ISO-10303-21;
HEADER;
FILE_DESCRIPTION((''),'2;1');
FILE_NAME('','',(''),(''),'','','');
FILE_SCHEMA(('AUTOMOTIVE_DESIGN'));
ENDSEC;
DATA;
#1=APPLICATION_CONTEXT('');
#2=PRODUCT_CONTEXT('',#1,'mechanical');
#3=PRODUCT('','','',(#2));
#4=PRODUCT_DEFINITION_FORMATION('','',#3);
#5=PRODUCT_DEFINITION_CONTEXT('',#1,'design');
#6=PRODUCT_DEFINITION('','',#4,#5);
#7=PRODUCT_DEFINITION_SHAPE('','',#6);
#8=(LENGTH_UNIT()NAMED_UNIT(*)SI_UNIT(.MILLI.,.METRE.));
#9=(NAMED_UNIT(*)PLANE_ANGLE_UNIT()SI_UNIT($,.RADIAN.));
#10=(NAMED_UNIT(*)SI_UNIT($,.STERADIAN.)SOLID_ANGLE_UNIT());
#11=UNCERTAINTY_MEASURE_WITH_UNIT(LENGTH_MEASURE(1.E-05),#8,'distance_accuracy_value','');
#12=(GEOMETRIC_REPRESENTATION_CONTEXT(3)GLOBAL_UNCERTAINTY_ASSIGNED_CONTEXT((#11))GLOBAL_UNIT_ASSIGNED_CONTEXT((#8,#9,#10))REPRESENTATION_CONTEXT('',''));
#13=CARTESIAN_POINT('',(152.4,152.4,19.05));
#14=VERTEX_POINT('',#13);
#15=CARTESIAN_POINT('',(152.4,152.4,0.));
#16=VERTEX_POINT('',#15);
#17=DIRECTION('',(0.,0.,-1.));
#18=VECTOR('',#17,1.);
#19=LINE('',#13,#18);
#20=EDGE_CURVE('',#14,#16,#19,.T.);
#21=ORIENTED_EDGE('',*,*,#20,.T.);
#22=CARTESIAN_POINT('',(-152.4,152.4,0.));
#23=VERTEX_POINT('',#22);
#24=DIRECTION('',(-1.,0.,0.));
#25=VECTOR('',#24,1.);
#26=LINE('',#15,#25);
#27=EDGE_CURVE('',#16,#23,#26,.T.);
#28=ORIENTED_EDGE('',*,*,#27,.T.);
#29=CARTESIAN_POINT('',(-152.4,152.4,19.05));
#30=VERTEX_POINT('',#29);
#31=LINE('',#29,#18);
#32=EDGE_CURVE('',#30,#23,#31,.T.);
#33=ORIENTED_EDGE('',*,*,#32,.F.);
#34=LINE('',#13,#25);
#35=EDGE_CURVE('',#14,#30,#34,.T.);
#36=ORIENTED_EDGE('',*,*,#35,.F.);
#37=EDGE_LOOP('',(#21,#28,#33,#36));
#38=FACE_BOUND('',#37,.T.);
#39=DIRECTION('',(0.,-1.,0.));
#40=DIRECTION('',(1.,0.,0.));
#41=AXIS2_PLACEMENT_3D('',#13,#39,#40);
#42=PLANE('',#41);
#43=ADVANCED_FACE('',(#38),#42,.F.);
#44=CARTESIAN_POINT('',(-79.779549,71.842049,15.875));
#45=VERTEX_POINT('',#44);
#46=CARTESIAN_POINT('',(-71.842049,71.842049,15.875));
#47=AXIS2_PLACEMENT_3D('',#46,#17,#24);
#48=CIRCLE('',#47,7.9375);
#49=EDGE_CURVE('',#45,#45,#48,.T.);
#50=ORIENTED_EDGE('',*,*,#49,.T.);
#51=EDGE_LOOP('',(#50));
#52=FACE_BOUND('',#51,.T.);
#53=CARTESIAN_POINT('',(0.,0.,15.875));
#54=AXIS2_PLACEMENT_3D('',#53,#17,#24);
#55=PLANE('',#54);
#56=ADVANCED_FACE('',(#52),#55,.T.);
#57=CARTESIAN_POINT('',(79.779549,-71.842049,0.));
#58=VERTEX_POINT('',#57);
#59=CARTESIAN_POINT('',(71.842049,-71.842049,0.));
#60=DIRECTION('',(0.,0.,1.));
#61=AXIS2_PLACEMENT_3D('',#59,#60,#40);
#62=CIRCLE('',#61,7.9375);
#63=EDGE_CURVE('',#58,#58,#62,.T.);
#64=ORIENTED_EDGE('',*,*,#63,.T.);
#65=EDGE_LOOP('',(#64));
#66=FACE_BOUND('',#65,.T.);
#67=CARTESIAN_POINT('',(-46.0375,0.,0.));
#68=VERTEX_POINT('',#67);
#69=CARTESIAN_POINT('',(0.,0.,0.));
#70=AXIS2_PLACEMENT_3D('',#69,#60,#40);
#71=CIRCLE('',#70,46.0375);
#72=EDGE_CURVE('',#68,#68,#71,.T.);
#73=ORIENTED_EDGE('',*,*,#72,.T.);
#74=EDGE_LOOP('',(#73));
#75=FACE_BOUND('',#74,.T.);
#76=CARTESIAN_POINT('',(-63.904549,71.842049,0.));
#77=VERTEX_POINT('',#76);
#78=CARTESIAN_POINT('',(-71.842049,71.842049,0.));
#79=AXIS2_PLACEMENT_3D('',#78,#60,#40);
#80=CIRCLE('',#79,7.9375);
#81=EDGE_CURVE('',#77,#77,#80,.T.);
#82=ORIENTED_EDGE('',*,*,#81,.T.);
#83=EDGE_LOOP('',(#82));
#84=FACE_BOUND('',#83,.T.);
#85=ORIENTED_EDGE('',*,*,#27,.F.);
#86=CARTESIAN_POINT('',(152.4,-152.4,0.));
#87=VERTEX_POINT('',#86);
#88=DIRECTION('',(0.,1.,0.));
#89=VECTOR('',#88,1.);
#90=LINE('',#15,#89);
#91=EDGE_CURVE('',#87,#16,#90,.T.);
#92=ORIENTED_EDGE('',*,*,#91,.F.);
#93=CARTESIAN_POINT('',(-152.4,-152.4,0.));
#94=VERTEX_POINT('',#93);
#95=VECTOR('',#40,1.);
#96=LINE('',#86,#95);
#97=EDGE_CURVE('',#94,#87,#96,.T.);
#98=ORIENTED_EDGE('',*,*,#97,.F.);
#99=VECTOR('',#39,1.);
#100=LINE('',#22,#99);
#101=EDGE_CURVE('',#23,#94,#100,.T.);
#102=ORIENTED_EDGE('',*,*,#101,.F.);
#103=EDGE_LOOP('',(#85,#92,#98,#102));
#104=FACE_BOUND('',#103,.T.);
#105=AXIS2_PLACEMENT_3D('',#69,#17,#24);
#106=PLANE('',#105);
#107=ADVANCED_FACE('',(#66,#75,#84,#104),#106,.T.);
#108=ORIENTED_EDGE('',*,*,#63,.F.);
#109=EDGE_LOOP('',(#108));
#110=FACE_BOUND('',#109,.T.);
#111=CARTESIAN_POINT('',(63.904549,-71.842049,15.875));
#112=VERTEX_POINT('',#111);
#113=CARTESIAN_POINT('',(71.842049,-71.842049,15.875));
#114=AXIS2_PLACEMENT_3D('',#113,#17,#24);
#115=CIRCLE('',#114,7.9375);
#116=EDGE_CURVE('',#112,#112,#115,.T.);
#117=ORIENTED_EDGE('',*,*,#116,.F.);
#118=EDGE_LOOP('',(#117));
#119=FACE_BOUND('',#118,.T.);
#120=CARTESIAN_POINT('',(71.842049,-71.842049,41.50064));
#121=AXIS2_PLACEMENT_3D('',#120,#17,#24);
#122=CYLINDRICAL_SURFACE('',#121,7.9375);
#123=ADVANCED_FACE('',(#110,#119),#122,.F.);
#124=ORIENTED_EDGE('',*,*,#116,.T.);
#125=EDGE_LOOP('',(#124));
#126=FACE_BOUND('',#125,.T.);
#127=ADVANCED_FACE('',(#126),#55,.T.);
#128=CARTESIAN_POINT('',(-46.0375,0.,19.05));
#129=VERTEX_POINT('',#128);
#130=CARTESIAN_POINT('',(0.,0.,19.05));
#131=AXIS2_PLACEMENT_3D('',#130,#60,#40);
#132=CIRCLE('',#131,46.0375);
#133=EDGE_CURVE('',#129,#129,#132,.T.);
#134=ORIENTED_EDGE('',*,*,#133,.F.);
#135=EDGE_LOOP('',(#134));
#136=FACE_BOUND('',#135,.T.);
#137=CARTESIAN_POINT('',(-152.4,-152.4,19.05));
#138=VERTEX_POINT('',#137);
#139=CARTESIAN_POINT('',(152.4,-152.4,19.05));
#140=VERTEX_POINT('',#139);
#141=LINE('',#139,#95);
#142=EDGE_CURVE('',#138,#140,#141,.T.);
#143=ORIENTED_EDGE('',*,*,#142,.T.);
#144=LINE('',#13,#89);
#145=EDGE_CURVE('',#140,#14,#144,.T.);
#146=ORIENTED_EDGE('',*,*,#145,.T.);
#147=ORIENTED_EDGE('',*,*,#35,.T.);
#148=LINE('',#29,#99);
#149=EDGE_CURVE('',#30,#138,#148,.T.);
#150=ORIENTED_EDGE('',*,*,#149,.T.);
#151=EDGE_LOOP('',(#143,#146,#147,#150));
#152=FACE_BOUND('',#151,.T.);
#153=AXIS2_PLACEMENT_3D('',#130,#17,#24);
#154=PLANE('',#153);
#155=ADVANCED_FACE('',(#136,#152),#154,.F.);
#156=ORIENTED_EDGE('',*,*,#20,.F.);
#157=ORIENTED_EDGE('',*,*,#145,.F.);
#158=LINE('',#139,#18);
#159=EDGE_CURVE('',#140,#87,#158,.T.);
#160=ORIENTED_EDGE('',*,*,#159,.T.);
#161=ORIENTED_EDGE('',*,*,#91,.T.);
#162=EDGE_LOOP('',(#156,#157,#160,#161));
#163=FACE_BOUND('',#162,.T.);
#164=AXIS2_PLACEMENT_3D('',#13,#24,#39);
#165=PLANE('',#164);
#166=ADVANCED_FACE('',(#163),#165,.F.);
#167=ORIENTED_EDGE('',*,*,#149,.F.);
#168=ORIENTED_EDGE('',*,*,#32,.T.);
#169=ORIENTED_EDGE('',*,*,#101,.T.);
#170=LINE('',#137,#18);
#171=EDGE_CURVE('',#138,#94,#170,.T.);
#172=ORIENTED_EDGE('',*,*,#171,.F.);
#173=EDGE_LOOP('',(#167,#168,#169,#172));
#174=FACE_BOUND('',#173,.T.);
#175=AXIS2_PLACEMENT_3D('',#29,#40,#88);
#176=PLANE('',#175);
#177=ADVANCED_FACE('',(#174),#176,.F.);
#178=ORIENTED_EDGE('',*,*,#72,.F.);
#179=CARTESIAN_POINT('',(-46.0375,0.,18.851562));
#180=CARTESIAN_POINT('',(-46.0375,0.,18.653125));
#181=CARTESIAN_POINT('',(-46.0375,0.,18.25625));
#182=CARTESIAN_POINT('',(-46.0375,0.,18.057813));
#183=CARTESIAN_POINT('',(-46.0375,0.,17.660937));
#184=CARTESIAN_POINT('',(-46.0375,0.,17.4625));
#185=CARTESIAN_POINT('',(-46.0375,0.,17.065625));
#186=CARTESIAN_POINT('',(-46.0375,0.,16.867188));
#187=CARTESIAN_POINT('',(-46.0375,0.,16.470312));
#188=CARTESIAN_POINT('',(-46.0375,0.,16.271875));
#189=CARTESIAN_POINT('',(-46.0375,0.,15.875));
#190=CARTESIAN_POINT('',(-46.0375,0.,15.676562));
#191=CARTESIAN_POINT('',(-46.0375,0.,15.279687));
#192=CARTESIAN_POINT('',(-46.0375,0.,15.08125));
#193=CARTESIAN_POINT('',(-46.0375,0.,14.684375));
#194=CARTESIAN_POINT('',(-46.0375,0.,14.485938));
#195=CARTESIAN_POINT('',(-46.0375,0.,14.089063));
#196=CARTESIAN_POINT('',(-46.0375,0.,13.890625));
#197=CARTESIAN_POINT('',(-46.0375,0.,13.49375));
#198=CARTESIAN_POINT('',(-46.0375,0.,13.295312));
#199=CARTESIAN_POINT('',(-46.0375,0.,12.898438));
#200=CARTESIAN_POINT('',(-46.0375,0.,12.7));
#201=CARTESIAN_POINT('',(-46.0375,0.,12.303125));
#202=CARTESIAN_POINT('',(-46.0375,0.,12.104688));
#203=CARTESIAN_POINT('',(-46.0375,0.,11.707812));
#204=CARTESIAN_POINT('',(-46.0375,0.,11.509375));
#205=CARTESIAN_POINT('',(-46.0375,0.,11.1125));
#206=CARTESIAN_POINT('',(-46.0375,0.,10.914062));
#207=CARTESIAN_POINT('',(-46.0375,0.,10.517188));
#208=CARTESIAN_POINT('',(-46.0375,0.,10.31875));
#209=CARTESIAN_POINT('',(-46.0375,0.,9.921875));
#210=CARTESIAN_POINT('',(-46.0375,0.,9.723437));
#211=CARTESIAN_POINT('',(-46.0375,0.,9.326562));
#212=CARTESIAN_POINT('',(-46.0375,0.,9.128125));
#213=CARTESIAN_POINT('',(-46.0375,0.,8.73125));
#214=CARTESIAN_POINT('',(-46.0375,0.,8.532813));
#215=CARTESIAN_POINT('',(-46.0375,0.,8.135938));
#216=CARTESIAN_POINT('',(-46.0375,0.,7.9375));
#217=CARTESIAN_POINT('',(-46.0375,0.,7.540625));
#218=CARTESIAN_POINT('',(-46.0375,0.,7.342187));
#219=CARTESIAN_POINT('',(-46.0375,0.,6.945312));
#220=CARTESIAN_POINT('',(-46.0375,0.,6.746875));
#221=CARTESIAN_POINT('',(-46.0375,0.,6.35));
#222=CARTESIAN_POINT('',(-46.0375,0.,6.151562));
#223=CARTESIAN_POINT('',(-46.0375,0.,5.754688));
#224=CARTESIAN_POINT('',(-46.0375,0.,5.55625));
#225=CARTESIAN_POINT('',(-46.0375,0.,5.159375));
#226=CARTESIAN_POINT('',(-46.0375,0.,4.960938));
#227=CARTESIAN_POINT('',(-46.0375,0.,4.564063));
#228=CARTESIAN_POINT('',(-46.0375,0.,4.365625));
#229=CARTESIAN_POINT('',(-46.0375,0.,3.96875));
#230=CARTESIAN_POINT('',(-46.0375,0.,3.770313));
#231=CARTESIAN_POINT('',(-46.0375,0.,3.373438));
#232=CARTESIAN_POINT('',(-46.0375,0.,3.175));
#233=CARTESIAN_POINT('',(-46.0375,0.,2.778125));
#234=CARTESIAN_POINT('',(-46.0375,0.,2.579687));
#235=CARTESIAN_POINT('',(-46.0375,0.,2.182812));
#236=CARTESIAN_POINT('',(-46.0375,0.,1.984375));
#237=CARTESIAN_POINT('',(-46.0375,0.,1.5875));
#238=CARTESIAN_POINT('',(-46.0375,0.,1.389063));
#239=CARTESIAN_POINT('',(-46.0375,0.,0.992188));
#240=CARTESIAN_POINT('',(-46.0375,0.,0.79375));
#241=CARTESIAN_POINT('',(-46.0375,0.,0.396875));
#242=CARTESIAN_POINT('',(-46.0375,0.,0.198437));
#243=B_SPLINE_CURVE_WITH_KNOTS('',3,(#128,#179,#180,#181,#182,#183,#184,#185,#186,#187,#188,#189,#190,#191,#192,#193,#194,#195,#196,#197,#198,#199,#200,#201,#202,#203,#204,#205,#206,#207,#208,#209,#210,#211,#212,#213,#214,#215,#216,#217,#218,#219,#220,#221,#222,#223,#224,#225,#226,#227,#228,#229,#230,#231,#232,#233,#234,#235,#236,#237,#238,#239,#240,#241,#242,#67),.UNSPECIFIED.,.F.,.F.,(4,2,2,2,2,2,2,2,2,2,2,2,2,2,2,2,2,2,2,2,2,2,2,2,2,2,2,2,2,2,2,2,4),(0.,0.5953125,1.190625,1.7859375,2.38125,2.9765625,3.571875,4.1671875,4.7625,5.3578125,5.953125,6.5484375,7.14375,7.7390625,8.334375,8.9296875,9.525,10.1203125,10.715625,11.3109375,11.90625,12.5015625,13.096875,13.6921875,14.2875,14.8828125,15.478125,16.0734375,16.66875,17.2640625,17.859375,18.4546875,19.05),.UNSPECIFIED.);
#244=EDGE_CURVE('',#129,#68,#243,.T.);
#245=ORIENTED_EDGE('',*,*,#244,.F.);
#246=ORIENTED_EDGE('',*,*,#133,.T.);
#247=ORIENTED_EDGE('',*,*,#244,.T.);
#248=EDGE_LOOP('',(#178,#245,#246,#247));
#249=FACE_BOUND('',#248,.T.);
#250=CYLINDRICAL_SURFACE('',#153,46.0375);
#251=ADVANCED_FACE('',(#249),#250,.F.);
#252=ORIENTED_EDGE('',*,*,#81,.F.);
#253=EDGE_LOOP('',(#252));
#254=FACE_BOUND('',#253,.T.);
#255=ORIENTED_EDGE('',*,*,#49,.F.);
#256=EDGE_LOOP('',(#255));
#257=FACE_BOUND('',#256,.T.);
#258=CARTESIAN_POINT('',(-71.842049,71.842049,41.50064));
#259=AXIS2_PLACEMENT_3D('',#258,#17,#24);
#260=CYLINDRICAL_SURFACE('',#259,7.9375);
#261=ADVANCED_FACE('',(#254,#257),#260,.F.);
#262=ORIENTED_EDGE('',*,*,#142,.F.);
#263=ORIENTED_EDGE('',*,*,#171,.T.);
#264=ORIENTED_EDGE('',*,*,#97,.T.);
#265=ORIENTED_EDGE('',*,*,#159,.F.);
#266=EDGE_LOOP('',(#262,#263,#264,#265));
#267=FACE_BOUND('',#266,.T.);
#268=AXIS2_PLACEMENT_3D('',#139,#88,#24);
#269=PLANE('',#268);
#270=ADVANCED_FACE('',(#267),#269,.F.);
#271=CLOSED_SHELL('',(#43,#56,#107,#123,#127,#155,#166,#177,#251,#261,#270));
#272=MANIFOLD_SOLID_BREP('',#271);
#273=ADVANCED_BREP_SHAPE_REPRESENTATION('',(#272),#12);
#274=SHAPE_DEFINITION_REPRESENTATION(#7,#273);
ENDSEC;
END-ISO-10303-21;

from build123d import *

# Parameters (mm, degrees)
SKETCH1_W           = 304.8
SKETCH1_H           = 304.8
SKETCH1_R           = 46.0375
BOSS_EXTRUDE1_DEPTH = 19.05
SKETCH2_R           = 7.9375
CUT_EXTRUDE1_DEPTH  = 15.875


with BuildPart() as part:
    # Sketch1 → Boss-Extrude1 (new body)
    with BuildSketch(Plane.XY):
        Rectangle(SKETCH1_W, SKETCH1_H)
        with Locations(Location((0, 0, 0), (0, 0, 180))):
            Circle(SKETCH1_R, mode=Mode.SUBTRACT)
    extrude(amount=BOSS_EXTRUDE1_DEPTH)

    # Sketch2 → Cut-Extrude1 (cut)
    with BuildSketch(Plane.XY):
        with Locations(Location((-71.842048969, 71.842048969, 0), (0, 0, 180))):
            Circle(SKETCH2_R)
        with Locations(Location((71.842048969, -71.842048969, 0), (0, 0, 180))):
            Circle(SKETCH2_R)
    extrude(amount=CUT_EXTRUDE1_DEPTH, mode=Mode.SUBTRACT)


solid = part.part
